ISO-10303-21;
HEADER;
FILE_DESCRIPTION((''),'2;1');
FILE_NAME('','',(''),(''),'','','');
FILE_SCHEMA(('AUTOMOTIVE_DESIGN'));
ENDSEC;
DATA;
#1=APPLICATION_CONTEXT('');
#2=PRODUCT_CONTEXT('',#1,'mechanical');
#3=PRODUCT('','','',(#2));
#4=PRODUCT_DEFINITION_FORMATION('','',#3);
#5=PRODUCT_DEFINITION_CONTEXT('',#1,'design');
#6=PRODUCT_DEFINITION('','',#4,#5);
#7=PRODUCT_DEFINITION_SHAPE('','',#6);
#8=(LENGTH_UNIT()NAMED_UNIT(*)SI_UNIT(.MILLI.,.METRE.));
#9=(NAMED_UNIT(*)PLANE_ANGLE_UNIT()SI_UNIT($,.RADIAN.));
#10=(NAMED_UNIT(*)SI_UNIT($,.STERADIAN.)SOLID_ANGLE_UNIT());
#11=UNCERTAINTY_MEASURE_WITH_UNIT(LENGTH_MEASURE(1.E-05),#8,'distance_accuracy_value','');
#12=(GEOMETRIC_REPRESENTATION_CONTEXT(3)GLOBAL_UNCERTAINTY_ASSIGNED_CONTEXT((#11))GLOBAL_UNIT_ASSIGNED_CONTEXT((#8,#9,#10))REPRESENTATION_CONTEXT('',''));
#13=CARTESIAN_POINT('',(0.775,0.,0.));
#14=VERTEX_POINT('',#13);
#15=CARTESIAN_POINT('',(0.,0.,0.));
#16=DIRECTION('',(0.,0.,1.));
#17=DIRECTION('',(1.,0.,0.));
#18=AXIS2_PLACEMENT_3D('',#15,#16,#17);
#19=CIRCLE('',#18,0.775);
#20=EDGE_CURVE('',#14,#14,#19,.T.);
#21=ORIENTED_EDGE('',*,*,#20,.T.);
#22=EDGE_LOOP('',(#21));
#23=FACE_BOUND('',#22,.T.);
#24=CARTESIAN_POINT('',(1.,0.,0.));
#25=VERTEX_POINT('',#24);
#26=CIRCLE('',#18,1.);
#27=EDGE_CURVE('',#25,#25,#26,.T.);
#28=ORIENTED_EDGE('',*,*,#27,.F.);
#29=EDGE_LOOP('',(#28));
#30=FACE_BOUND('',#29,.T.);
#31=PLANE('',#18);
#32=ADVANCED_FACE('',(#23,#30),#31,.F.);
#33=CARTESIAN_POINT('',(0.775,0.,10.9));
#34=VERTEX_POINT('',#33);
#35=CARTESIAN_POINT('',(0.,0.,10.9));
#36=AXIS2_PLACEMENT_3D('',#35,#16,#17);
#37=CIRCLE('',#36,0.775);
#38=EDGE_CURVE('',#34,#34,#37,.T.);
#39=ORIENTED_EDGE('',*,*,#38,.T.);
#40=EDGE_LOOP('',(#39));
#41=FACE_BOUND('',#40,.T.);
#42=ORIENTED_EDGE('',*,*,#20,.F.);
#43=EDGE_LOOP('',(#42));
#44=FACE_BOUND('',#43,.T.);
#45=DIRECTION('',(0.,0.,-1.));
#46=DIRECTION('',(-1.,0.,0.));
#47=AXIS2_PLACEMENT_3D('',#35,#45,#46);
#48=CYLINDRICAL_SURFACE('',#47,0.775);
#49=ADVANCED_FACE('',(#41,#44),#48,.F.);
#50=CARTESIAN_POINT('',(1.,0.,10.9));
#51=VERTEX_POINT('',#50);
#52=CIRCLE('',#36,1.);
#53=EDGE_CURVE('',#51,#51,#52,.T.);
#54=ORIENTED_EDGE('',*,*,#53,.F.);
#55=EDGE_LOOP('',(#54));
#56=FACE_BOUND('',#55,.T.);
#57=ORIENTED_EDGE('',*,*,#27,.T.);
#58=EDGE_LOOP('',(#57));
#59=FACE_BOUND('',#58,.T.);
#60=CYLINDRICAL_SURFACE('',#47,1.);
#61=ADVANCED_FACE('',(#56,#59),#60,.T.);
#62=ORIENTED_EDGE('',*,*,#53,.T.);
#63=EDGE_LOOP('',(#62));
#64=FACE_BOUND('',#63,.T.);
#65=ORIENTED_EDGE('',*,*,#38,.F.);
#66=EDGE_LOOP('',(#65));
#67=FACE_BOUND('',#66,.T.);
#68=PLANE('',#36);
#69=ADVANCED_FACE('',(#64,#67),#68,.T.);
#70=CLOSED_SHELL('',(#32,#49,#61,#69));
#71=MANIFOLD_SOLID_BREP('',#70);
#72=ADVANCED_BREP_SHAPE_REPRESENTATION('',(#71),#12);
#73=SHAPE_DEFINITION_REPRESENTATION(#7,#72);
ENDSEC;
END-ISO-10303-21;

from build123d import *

# Parameters (mm, degrees)
SKETCH_1_R      = 1
SKETCH_1_R_2    = 0.775
EXTRUDE_1_DEPTH = 10.9


with BuildPart() as part:
    # Эскиз1 → Бобышка-Вытянуть1 (new body)
    with BuildSketch(Plane.XY):
        Circle(SKETCH_1_R)
        Circle(SKETCH_1_R_2, mode=Mode.SUBTRACT)
    extrude(amount=EXTRUDE_1_DEPTH)


solid = part.part
